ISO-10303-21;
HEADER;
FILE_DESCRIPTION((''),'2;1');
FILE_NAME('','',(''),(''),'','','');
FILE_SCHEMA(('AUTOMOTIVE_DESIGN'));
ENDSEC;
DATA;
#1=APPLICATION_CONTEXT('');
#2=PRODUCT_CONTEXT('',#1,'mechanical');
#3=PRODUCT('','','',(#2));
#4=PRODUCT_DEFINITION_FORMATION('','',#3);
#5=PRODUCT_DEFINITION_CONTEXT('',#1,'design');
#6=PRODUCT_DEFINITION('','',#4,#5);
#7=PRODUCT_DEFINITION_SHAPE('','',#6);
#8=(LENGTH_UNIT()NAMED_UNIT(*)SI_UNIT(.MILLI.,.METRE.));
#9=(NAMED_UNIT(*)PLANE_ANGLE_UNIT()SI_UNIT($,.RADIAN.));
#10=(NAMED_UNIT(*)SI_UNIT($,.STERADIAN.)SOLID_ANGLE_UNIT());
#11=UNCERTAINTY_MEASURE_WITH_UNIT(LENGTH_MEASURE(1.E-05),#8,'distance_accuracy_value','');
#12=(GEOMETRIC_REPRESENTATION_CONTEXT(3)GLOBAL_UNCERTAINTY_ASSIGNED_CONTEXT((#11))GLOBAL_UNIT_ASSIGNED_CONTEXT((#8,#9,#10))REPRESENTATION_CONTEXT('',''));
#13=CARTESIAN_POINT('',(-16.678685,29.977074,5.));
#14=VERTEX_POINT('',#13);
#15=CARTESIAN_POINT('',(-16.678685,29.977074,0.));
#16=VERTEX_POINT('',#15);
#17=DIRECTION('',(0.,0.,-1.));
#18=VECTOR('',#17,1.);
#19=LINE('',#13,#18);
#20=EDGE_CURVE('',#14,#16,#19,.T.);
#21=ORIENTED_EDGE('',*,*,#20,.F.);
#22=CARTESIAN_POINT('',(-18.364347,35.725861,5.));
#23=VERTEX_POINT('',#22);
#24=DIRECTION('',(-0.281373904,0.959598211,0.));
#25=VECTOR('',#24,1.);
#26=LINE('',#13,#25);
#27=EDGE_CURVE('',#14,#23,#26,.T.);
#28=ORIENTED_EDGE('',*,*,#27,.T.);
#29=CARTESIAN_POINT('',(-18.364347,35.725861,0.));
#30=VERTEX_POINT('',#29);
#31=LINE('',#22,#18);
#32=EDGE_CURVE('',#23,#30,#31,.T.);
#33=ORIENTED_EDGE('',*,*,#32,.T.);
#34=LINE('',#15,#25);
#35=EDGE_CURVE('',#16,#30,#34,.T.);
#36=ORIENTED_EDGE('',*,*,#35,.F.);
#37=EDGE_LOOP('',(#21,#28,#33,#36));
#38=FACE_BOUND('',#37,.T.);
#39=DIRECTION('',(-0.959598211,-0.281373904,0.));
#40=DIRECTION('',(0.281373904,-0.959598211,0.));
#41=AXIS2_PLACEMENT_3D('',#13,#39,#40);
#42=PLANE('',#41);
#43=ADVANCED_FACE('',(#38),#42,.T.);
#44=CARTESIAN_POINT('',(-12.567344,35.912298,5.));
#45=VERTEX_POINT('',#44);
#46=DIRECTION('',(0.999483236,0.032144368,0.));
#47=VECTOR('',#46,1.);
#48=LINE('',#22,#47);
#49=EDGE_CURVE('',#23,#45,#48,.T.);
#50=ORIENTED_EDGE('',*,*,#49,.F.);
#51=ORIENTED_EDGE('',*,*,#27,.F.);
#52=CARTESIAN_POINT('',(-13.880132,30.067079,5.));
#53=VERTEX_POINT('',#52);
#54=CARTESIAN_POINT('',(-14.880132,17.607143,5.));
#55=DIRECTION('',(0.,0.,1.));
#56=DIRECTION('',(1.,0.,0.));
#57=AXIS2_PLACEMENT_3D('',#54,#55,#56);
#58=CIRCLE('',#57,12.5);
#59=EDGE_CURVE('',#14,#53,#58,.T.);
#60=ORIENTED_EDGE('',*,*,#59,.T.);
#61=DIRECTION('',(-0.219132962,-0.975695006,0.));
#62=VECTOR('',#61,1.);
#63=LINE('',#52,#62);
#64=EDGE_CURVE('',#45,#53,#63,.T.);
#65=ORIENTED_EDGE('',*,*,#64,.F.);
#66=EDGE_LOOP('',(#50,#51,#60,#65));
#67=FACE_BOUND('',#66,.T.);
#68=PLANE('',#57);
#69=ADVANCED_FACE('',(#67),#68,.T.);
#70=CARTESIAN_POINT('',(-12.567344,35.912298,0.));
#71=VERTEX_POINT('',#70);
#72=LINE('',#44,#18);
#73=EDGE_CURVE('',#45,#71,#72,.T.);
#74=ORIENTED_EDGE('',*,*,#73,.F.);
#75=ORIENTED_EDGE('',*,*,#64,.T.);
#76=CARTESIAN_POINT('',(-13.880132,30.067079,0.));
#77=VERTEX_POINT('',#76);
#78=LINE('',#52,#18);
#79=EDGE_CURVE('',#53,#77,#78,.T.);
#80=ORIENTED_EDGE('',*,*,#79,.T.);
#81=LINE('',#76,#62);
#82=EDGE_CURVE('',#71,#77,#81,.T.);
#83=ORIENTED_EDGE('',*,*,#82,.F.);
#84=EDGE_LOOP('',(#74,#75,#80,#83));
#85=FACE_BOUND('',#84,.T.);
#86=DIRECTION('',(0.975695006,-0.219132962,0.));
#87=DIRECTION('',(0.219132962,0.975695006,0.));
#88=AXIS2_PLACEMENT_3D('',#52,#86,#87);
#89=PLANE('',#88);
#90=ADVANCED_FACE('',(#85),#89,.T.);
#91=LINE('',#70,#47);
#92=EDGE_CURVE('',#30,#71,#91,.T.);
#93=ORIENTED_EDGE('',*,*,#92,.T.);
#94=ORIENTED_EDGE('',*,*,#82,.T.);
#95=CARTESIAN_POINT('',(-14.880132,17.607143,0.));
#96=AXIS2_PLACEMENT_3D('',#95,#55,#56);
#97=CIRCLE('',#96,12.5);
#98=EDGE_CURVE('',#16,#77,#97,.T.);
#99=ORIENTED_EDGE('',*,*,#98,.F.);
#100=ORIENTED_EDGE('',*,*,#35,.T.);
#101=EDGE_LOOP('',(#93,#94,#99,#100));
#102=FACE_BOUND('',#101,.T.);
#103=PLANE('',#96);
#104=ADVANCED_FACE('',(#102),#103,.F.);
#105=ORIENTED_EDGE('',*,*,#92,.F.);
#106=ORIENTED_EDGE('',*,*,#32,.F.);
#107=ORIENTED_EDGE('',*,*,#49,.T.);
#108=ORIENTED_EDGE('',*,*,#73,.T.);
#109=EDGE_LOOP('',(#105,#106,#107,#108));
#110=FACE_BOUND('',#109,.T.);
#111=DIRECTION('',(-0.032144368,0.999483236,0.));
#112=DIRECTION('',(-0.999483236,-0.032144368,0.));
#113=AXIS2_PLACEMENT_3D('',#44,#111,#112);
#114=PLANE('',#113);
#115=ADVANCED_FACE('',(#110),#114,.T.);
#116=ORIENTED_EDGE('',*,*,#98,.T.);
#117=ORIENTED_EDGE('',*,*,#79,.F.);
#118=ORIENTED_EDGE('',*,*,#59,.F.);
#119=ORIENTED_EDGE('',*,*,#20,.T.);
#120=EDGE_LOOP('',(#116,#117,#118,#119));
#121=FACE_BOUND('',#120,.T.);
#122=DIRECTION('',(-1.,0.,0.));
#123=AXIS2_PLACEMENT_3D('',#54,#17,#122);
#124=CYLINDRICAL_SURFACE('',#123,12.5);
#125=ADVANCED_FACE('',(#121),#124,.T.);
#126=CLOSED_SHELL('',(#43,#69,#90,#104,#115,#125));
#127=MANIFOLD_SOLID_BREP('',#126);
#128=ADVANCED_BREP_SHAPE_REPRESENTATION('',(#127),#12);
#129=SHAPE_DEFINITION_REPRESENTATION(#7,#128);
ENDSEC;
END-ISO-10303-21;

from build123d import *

# Parameters (mm, degrees)
SKETCH_1_R      = 12.5
EXTRUDE_1_DEPTH = 5
EXTRUDE_2_DEPTH = 5


with BuildPart() as part:
    # ｽｹｯﾁ1 → ﾎﾞｽ - 押し出し1 (new body)
    with BuildSketch(Plane.XY):
        with Locations((-14.880131723, 17.607142857)):
            Circle(SKETCH_1_R)
    extrude(amount=EXTRUDE_1_DEPTH)

    # ｽｹｯﾁ2 → ﾎﾞｽ - 押し出し2 (add)
    with BuildSketch(Plane(origin=(0, 0, 0), x_dir=(-1, 0, 0), z_dir=(0, 0, -1))):
        Polygon((13.880131723, 30.067078652), (16.678684785, 29.977074421), (18.364346975, 35.725860639), (16.86512212, 35.774077191), (14.066569059, 35.864081422), (12.567344204, 35.912297974), align=None)
    extrude(amount=-EXTRUDE_2_DEPTH)


solid = part.part
